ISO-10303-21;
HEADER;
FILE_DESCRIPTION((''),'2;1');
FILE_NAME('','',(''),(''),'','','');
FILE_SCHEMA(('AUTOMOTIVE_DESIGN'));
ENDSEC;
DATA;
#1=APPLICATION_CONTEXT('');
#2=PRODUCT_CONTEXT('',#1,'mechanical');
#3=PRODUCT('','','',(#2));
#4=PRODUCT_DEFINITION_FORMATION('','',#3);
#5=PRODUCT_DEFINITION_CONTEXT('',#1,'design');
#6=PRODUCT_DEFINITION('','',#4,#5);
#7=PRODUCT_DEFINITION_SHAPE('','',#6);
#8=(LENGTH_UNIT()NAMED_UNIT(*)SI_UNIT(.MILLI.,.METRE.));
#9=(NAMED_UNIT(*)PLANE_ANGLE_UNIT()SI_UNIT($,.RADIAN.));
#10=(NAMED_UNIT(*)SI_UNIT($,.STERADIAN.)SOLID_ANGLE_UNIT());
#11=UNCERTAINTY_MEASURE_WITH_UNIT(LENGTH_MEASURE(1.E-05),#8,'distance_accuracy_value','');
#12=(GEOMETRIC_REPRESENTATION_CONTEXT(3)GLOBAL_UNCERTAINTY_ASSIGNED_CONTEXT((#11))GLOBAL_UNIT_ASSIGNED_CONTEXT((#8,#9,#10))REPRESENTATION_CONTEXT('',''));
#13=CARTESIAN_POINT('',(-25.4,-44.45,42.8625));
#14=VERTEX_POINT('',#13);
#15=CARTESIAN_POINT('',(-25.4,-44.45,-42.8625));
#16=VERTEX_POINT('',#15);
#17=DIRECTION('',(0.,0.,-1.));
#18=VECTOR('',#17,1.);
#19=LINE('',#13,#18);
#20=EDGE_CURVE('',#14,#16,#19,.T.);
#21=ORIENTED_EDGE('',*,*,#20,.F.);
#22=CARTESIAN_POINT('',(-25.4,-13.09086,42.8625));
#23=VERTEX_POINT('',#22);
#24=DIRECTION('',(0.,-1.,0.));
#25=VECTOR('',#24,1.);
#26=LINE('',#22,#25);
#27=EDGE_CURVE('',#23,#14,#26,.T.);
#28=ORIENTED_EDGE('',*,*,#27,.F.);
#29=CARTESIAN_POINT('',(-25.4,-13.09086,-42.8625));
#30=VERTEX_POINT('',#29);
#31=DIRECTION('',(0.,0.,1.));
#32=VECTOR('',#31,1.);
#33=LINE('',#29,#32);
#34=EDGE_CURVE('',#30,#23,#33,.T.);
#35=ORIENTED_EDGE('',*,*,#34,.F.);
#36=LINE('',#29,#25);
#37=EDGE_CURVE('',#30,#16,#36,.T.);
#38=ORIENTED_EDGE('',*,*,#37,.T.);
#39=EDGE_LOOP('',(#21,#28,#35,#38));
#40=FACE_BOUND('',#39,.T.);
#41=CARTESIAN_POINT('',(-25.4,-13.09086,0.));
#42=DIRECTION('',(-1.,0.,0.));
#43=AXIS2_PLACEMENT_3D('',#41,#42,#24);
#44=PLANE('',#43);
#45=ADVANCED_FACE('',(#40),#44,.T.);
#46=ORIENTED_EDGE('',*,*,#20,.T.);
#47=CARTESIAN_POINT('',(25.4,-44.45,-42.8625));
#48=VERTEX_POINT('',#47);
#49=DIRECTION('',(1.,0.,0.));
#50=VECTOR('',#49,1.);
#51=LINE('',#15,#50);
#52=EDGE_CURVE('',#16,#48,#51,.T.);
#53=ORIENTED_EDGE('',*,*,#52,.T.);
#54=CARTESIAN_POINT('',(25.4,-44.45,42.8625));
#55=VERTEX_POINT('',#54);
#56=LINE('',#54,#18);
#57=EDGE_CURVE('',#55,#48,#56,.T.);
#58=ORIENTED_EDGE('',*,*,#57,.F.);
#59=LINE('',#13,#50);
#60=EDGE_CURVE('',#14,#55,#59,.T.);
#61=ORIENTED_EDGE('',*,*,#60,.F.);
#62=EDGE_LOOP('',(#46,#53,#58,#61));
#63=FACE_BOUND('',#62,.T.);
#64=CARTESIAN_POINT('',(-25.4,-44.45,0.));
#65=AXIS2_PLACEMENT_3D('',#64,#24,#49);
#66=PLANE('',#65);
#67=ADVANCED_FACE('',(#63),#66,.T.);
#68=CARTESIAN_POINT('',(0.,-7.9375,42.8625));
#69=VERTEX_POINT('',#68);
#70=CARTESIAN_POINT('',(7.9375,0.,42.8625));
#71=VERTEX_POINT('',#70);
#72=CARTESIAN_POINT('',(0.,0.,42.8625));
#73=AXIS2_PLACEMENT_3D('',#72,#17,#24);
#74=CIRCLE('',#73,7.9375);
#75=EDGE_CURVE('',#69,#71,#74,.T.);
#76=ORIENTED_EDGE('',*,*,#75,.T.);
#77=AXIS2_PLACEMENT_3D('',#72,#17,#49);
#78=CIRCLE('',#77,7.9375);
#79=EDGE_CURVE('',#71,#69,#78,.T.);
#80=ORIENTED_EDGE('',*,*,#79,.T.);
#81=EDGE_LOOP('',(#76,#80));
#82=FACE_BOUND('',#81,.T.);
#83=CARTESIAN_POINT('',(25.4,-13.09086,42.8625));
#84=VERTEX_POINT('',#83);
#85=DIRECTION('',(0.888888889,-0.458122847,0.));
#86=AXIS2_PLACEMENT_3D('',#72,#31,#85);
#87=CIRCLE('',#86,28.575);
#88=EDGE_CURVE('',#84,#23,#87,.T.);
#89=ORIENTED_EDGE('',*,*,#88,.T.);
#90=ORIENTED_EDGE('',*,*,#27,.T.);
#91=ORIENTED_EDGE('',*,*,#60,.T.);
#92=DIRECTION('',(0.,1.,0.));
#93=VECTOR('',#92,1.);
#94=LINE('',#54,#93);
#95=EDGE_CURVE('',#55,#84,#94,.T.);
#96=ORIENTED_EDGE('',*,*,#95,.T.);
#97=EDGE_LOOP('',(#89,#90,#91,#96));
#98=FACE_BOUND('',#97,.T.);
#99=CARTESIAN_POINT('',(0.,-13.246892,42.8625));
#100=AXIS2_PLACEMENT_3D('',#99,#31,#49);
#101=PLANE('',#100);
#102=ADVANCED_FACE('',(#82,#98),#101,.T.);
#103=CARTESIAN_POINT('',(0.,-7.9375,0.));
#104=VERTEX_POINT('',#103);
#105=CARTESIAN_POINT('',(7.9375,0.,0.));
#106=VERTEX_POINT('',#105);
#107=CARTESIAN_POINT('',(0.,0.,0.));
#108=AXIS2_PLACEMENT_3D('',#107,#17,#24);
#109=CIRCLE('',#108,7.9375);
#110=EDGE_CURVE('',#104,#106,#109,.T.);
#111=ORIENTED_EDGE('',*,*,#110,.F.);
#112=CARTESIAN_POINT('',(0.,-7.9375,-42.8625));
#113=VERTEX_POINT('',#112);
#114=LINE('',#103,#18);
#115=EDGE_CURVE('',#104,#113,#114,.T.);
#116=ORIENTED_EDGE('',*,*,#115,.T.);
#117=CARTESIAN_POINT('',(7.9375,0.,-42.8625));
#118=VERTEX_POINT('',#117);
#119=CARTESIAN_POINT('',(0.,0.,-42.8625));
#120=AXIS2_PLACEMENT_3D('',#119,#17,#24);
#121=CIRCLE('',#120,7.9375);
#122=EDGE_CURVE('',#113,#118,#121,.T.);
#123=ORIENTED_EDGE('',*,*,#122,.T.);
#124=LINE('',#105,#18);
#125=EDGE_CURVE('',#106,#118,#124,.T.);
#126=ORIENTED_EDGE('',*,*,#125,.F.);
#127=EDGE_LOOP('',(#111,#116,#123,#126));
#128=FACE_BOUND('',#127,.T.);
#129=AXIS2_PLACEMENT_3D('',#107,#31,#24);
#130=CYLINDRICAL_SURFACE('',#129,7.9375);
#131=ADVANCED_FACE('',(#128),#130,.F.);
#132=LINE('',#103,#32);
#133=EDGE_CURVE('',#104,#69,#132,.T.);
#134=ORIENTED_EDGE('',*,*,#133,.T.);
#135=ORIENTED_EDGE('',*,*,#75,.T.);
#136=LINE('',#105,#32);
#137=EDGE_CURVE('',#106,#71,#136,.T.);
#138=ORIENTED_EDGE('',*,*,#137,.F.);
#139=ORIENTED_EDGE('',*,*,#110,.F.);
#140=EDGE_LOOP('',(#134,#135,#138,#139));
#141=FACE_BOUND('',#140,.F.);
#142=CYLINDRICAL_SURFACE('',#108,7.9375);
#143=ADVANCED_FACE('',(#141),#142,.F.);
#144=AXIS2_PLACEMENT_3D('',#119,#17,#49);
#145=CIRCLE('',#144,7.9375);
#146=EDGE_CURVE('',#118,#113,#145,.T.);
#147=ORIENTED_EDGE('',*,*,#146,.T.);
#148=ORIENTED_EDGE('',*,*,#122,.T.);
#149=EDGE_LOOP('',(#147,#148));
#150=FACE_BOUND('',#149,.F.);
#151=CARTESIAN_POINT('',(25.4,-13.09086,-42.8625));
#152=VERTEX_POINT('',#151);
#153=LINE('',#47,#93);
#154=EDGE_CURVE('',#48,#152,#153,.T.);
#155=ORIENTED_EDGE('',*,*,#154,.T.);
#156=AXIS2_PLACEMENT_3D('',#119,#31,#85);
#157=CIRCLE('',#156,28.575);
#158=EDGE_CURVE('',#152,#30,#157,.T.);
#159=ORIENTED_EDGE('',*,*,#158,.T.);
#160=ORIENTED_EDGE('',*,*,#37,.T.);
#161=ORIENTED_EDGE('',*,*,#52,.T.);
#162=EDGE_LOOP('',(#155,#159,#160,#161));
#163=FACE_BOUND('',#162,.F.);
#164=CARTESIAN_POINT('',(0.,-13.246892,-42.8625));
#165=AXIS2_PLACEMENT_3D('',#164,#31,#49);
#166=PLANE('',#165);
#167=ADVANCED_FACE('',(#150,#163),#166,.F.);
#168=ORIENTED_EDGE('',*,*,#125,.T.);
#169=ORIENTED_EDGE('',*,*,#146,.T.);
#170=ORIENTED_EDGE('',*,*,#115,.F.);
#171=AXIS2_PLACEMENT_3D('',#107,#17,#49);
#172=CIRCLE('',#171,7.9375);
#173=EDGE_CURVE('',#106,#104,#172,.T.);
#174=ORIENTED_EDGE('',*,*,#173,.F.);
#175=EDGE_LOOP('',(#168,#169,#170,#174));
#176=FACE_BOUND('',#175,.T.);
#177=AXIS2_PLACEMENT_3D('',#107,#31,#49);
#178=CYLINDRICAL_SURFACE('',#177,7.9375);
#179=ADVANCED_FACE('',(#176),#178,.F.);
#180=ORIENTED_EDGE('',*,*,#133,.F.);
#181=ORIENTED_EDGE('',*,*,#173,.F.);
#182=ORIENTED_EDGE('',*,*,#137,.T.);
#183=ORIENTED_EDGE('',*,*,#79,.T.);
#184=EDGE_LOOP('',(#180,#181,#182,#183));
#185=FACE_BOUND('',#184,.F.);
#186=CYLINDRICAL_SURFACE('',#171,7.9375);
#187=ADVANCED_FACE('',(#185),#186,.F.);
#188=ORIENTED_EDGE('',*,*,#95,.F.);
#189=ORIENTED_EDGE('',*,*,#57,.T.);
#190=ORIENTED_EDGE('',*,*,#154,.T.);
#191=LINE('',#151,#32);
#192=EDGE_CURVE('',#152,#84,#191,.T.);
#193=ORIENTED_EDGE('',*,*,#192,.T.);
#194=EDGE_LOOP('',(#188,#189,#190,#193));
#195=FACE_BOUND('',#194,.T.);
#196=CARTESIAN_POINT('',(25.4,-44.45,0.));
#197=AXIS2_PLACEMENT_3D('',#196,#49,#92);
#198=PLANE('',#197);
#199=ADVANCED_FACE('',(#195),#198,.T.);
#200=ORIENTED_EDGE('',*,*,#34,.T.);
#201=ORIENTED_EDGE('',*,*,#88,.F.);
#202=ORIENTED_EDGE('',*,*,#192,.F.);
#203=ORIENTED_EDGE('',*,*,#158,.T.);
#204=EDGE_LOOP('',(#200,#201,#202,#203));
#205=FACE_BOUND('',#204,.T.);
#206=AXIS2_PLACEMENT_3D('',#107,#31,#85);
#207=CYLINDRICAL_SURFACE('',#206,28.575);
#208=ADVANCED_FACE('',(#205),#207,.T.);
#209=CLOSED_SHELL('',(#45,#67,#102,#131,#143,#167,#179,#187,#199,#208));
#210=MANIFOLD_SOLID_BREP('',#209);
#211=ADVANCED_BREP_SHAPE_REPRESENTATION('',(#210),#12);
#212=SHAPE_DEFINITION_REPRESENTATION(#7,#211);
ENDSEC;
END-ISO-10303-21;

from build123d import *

# Parameters (mm, degrees)
F1_DEPTH = 42.8625


with BuildPart() as f1:
    # F0 (on Top) → F1 (new body, symmetric)
    with BuildSketch(Plane.XY):
        with BuildLine():
            Line((25.4, -44.45), (25.4, -13.0908603613))
            ThreePointArc((25.4, -13.0908603613), (0, 28.575), (-25.4, -13.0908603613))
            Line((-25.4, -13.0908603613), (-25.4, -44.45))
            Line((-25.4, -44.45), (25.4, -44.45))
        make_face()
        with BuildLine():
            ThreePointArc((0, -7.9375), (-5.6126600757, 5.6126600757), (7.9375, 0))
            ThreePointArc((7.9375, 0), (5.6126600757, -5.6126600757), (0, -7.9375))
        make_face(mode=Mode.SUBTRACT)
    extrude(amount=F1_DEPTH, both=True)


solid = f1.part
